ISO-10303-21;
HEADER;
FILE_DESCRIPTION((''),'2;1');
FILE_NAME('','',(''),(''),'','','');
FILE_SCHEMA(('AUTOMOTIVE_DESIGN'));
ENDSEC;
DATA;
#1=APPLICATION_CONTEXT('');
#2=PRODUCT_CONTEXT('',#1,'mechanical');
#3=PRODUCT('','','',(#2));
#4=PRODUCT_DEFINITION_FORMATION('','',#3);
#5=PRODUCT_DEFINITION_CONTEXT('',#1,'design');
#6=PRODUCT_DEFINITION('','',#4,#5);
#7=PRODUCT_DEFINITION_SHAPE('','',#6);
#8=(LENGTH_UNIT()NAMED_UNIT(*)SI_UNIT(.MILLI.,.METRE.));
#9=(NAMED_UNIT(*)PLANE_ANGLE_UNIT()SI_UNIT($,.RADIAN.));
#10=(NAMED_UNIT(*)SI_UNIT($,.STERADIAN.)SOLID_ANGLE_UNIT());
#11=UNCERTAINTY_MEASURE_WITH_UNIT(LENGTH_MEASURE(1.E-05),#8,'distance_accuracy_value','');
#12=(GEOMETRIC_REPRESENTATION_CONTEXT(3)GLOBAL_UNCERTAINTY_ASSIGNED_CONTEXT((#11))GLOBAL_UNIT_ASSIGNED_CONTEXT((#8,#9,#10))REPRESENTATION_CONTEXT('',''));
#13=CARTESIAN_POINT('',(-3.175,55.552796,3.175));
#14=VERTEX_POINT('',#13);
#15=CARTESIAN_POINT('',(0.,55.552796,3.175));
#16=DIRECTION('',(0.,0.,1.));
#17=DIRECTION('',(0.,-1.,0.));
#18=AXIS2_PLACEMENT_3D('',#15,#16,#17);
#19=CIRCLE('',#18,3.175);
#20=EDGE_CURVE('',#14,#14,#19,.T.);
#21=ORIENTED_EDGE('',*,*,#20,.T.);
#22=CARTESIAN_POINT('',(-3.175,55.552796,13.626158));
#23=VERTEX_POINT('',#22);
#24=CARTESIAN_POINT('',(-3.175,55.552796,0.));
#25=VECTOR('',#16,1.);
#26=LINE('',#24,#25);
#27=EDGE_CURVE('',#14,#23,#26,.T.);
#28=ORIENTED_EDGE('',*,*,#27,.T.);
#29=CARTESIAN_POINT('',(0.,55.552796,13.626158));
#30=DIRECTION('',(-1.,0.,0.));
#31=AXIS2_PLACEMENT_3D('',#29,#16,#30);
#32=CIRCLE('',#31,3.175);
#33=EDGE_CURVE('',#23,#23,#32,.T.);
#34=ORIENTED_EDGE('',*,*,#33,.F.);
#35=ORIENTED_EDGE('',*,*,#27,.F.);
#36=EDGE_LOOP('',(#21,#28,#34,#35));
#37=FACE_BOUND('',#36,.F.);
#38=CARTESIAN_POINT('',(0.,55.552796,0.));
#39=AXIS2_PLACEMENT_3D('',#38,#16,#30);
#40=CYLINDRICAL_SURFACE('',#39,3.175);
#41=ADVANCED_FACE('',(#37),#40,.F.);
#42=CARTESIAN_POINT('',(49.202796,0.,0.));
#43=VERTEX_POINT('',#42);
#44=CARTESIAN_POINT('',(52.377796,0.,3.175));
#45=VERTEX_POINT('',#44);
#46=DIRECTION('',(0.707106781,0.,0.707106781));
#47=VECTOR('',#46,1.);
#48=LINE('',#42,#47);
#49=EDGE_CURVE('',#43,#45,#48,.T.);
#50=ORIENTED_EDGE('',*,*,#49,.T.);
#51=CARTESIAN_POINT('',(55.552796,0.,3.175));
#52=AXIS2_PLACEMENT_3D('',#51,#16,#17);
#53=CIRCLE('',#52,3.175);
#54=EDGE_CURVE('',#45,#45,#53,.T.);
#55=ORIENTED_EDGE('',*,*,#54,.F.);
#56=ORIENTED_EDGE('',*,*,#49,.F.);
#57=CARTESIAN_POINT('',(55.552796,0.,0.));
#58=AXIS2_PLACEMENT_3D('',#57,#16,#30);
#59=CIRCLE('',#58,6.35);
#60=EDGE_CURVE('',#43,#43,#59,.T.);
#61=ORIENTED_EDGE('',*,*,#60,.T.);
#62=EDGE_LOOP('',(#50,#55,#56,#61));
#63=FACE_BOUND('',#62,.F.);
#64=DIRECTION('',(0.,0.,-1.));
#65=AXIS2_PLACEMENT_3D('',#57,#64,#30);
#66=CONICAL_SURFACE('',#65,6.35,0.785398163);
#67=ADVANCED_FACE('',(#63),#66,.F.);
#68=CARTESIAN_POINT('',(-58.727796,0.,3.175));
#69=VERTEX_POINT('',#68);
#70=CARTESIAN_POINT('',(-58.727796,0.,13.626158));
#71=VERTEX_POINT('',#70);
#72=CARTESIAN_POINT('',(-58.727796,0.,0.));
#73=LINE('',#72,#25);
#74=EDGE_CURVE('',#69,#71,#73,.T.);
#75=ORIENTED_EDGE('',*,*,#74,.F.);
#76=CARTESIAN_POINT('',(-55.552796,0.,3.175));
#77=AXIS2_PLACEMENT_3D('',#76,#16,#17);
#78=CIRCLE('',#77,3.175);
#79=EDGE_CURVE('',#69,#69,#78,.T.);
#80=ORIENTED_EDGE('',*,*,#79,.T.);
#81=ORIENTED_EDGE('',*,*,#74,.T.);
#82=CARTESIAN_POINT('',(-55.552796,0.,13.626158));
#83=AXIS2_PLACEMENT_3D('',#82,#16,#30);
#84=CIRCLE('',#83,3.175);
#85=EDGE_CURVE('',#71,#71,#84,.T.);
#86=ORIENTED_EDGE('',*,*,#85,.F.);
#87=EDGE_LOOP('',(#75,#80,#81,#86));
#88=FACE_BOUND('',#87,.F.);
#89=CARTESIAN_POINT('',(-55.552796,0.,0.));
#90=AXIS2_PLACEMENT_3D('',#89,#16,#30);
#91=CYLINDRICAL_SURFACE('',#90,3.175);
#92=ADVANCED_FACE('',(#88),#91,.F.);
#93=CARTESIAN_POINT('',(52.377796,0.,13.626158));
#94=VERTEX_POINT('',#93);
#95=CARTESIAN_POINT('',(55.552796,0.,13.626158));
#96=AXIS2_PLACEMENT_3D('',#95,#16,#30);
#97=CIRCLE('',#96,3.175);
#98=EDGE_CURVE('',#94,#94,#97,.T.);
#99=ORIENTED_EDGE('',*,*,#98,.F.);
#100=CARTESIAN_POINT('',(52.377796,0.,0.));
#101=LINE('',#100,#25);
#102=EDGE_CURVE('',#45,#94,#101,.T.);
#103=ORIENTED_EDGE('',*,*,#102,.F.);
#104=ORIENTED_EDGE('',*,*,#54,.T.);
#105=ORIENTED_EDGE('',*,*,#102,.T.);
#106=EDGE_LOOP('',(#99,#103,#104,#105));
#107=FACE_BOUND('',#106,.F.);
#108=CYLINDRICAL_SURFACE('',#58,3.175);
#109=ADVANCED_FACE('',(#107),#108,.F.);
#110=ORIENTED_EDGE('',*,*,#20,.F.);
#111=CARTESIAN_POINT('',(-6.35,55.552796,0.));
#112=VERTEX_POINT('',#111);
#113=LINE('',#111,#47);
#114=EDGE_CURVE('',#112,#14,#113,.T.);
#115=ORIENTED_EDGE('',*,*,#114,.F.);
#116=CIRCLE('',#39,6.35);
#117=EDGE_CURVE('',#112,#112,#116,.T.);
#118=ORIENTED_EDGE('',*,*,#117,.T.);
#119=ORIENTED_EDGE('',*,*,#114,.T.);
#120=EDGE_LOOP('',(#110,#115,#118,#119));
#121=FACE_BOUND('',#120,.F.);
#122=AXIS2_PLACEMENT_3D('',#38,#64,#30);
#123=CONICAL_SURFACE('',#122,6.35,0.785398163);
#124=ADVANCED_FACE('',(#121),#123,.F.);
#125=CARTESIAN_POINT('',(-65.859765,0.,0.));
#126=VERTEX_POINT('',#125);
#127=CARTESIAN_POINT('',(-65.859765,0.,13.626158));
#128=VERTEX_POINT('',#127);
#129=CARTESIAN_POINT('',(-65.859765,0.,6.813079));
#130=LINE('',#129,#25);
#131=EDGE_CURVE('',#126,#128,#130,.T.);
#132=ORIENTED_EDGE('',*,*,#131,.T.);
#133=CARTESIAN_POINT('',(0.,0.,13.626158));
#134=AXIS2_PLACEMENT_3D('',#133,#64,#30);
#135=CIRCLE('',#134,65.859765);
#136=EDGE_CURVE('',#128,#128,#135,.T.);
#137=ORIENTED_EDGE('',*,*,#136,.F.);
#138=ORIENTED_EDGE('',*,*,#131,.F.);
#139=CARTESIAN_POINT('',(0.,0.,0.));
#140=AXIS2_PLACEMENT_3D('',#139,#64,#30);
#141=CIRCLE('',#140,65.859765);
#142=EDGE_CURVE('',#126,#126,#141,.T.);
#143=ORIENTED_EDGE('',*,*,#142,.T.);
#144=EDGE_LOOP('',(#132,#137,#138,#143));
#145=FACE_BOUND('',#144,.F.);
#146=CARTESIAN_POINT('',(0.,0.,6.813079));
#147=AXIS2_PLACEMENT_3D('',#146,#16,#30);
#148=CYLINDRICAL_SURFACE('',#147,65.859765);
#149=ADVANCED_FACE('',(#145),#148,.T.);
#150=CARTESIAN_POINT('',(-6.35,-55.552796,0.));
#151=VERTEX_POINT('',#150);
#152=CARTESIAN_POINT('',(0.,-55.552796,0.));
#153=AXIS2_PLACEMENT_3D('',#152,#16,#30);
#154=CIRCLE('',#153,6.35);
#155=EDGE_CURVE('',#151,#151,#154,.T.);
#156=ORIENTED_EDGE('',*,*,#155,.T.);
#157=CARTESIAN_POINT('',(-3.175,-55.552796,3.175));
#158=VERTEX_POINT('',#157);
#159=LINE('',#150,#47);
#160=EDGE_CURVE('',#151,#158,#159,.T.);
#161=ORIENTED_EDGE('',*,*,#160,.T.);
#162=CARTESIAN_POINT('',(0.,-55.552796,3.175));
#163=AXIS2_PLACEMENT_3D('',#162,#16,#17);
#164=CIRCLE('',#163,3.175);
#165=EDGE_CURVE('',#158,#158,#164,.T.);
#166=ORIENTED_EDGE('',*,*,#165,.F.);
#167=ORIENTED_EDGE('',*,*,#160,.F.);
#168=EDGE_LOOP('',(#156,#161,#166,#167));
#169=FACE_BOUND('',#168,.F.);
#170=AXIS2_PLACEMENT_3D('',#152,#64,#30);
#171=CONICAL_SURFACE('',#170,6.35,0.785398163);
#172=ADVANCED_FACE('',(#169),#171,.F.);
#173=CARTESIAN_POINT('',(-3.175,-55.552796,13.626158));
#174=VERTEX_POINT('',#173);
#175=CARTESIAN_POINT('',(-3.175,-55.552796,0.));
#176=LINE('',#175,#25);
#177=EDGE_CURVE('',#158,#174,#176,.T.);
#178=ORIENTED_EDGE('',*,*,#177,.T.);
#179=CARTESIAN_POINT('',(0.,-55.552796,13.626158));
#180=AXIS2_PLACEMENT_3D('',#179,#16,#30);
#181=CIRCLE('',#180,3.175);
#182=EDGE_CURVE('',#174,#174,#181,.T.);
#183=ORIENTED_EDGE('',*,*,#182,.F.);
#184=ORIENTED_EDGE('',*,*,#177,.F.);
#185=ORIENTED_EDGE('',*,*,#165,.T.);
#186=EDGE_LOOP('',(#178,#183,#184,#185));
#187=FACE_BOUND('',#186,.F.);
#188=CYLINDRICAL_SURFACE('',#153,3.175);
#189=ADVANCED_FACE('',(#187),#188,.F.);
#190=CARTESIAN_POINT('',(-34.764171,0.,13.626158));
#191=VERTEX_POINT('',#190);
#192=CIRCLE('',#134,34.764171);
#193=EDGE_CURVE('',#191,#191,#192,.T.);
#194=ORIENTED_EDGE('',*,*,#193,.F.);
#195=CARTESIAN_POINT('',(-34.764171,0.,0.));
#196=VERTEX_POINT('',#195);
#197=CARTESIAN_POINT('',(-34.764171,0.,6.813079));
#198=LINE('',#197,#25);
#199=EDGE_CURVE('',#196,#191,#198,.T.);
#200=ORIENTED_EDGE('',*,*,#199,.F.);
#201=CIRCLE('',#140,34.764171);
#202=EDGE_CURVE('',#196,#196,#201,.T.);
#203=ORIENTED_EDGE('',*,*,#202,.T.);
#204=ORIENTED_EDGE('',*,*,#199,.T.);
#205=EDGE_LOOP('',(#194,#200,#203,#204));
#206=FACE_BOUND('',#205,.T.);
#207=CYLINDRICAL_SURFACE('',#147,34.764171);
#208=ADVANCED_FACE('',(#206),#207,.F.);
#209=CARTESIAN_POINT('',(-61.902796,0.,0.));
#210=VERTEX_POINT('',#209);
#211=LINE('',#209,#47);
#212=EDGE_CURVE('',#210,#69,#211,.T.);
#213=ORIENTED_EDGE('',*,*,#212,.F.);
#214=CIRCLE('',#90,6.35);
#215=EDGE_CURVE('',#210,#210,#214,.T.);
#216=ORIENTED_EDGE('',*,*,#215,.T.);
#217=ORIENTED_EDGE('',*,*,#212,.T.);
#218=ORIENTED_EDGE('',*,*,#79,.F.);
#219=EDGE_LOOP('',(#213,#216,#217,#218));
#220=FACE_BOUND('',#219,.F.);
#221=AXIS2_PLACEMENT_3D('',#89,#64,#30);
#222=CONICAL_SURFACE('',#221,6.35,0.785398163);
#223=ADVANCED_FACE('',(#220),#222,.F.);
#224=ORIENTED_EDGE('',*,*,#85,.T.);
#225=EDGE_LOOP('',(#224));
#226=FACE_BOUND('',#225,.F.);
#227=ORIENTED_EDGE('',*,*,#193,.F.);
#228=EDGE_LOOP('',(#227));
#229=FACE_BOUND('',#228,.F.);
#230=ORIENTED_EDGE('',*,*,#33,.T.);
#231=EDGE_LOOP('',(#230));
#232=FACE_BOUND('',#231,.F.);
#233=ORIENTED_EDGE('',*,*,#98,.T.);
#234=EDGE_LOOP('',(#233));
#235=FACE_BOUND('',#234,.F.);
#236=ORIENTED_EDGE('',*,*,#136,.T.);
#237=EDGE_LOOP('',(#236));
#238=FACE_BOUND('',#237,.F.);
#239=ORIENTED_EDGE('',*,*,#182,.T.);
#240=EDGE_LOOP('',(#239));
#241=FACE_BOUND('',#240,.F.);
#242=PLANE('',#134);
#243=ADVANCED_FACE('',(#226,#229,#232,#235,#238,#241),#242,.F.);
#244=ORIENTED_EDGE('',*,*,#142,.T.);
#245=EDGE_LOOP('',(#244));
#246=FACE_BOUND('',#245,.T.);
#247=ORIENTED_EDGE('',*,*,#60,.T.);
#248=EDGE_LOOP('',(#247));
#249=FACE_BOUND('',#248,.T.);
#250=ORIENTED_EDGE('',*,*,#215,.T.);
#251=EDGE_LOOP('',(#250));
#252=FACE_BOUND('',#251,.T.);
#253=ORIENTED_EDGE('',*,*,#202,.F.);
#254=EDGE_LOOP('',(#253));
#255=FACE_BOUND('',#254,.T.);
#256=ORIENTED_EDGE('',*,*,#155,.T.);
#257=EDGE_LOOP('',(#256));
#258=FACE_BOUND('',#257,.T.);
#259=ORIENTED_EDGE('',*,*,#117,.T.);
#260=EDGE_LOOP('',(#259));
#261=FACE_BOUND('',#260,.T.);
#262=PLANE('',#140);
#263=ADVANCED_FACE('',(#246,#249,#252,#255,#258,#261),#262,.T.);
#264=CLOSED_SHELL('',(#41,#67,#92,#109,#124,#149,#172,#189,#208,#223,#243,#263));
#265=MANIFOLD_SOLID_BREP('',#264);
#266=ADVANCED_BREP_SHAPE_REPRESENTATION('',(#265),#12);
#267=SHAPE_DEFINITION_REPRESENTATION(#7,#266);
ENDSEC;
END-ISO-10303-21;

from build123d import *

# Parameters (mm, degrees)
F0_W           = 31.095594
F0_H           = 13.626158
F3_D           = 6.35
F3_CSINK_D     = 12.7
F3_CSINK_ANGLE = 90


with BuildPart() as f1:
    # F0 (on Front) → F1 (revolve)
    with BuildSketch(Plane.XZ):
        with Locations((-50.311968, 6.813079)):
            Rectangle(F0_W, F0_H)
    revolve(axis=Axis((0, 0, -5.066134), (0, 0, -1)))

    # F3 (through all)
    with Locations(Plane(origin=(0, 0, 0), x_dir=(1, 0, 0), z_dir=(0, 0, -1))):
        with Locations((55.552796, 0), (0, 55.552796), (-55.552796, 0), (0, -55.552796)):
            CounterSinkHole(F3_D / 2, F3_CSINK_D / 2, counter_sink_angle=F3_CSINK_ANGLE)


solid = f1.part
